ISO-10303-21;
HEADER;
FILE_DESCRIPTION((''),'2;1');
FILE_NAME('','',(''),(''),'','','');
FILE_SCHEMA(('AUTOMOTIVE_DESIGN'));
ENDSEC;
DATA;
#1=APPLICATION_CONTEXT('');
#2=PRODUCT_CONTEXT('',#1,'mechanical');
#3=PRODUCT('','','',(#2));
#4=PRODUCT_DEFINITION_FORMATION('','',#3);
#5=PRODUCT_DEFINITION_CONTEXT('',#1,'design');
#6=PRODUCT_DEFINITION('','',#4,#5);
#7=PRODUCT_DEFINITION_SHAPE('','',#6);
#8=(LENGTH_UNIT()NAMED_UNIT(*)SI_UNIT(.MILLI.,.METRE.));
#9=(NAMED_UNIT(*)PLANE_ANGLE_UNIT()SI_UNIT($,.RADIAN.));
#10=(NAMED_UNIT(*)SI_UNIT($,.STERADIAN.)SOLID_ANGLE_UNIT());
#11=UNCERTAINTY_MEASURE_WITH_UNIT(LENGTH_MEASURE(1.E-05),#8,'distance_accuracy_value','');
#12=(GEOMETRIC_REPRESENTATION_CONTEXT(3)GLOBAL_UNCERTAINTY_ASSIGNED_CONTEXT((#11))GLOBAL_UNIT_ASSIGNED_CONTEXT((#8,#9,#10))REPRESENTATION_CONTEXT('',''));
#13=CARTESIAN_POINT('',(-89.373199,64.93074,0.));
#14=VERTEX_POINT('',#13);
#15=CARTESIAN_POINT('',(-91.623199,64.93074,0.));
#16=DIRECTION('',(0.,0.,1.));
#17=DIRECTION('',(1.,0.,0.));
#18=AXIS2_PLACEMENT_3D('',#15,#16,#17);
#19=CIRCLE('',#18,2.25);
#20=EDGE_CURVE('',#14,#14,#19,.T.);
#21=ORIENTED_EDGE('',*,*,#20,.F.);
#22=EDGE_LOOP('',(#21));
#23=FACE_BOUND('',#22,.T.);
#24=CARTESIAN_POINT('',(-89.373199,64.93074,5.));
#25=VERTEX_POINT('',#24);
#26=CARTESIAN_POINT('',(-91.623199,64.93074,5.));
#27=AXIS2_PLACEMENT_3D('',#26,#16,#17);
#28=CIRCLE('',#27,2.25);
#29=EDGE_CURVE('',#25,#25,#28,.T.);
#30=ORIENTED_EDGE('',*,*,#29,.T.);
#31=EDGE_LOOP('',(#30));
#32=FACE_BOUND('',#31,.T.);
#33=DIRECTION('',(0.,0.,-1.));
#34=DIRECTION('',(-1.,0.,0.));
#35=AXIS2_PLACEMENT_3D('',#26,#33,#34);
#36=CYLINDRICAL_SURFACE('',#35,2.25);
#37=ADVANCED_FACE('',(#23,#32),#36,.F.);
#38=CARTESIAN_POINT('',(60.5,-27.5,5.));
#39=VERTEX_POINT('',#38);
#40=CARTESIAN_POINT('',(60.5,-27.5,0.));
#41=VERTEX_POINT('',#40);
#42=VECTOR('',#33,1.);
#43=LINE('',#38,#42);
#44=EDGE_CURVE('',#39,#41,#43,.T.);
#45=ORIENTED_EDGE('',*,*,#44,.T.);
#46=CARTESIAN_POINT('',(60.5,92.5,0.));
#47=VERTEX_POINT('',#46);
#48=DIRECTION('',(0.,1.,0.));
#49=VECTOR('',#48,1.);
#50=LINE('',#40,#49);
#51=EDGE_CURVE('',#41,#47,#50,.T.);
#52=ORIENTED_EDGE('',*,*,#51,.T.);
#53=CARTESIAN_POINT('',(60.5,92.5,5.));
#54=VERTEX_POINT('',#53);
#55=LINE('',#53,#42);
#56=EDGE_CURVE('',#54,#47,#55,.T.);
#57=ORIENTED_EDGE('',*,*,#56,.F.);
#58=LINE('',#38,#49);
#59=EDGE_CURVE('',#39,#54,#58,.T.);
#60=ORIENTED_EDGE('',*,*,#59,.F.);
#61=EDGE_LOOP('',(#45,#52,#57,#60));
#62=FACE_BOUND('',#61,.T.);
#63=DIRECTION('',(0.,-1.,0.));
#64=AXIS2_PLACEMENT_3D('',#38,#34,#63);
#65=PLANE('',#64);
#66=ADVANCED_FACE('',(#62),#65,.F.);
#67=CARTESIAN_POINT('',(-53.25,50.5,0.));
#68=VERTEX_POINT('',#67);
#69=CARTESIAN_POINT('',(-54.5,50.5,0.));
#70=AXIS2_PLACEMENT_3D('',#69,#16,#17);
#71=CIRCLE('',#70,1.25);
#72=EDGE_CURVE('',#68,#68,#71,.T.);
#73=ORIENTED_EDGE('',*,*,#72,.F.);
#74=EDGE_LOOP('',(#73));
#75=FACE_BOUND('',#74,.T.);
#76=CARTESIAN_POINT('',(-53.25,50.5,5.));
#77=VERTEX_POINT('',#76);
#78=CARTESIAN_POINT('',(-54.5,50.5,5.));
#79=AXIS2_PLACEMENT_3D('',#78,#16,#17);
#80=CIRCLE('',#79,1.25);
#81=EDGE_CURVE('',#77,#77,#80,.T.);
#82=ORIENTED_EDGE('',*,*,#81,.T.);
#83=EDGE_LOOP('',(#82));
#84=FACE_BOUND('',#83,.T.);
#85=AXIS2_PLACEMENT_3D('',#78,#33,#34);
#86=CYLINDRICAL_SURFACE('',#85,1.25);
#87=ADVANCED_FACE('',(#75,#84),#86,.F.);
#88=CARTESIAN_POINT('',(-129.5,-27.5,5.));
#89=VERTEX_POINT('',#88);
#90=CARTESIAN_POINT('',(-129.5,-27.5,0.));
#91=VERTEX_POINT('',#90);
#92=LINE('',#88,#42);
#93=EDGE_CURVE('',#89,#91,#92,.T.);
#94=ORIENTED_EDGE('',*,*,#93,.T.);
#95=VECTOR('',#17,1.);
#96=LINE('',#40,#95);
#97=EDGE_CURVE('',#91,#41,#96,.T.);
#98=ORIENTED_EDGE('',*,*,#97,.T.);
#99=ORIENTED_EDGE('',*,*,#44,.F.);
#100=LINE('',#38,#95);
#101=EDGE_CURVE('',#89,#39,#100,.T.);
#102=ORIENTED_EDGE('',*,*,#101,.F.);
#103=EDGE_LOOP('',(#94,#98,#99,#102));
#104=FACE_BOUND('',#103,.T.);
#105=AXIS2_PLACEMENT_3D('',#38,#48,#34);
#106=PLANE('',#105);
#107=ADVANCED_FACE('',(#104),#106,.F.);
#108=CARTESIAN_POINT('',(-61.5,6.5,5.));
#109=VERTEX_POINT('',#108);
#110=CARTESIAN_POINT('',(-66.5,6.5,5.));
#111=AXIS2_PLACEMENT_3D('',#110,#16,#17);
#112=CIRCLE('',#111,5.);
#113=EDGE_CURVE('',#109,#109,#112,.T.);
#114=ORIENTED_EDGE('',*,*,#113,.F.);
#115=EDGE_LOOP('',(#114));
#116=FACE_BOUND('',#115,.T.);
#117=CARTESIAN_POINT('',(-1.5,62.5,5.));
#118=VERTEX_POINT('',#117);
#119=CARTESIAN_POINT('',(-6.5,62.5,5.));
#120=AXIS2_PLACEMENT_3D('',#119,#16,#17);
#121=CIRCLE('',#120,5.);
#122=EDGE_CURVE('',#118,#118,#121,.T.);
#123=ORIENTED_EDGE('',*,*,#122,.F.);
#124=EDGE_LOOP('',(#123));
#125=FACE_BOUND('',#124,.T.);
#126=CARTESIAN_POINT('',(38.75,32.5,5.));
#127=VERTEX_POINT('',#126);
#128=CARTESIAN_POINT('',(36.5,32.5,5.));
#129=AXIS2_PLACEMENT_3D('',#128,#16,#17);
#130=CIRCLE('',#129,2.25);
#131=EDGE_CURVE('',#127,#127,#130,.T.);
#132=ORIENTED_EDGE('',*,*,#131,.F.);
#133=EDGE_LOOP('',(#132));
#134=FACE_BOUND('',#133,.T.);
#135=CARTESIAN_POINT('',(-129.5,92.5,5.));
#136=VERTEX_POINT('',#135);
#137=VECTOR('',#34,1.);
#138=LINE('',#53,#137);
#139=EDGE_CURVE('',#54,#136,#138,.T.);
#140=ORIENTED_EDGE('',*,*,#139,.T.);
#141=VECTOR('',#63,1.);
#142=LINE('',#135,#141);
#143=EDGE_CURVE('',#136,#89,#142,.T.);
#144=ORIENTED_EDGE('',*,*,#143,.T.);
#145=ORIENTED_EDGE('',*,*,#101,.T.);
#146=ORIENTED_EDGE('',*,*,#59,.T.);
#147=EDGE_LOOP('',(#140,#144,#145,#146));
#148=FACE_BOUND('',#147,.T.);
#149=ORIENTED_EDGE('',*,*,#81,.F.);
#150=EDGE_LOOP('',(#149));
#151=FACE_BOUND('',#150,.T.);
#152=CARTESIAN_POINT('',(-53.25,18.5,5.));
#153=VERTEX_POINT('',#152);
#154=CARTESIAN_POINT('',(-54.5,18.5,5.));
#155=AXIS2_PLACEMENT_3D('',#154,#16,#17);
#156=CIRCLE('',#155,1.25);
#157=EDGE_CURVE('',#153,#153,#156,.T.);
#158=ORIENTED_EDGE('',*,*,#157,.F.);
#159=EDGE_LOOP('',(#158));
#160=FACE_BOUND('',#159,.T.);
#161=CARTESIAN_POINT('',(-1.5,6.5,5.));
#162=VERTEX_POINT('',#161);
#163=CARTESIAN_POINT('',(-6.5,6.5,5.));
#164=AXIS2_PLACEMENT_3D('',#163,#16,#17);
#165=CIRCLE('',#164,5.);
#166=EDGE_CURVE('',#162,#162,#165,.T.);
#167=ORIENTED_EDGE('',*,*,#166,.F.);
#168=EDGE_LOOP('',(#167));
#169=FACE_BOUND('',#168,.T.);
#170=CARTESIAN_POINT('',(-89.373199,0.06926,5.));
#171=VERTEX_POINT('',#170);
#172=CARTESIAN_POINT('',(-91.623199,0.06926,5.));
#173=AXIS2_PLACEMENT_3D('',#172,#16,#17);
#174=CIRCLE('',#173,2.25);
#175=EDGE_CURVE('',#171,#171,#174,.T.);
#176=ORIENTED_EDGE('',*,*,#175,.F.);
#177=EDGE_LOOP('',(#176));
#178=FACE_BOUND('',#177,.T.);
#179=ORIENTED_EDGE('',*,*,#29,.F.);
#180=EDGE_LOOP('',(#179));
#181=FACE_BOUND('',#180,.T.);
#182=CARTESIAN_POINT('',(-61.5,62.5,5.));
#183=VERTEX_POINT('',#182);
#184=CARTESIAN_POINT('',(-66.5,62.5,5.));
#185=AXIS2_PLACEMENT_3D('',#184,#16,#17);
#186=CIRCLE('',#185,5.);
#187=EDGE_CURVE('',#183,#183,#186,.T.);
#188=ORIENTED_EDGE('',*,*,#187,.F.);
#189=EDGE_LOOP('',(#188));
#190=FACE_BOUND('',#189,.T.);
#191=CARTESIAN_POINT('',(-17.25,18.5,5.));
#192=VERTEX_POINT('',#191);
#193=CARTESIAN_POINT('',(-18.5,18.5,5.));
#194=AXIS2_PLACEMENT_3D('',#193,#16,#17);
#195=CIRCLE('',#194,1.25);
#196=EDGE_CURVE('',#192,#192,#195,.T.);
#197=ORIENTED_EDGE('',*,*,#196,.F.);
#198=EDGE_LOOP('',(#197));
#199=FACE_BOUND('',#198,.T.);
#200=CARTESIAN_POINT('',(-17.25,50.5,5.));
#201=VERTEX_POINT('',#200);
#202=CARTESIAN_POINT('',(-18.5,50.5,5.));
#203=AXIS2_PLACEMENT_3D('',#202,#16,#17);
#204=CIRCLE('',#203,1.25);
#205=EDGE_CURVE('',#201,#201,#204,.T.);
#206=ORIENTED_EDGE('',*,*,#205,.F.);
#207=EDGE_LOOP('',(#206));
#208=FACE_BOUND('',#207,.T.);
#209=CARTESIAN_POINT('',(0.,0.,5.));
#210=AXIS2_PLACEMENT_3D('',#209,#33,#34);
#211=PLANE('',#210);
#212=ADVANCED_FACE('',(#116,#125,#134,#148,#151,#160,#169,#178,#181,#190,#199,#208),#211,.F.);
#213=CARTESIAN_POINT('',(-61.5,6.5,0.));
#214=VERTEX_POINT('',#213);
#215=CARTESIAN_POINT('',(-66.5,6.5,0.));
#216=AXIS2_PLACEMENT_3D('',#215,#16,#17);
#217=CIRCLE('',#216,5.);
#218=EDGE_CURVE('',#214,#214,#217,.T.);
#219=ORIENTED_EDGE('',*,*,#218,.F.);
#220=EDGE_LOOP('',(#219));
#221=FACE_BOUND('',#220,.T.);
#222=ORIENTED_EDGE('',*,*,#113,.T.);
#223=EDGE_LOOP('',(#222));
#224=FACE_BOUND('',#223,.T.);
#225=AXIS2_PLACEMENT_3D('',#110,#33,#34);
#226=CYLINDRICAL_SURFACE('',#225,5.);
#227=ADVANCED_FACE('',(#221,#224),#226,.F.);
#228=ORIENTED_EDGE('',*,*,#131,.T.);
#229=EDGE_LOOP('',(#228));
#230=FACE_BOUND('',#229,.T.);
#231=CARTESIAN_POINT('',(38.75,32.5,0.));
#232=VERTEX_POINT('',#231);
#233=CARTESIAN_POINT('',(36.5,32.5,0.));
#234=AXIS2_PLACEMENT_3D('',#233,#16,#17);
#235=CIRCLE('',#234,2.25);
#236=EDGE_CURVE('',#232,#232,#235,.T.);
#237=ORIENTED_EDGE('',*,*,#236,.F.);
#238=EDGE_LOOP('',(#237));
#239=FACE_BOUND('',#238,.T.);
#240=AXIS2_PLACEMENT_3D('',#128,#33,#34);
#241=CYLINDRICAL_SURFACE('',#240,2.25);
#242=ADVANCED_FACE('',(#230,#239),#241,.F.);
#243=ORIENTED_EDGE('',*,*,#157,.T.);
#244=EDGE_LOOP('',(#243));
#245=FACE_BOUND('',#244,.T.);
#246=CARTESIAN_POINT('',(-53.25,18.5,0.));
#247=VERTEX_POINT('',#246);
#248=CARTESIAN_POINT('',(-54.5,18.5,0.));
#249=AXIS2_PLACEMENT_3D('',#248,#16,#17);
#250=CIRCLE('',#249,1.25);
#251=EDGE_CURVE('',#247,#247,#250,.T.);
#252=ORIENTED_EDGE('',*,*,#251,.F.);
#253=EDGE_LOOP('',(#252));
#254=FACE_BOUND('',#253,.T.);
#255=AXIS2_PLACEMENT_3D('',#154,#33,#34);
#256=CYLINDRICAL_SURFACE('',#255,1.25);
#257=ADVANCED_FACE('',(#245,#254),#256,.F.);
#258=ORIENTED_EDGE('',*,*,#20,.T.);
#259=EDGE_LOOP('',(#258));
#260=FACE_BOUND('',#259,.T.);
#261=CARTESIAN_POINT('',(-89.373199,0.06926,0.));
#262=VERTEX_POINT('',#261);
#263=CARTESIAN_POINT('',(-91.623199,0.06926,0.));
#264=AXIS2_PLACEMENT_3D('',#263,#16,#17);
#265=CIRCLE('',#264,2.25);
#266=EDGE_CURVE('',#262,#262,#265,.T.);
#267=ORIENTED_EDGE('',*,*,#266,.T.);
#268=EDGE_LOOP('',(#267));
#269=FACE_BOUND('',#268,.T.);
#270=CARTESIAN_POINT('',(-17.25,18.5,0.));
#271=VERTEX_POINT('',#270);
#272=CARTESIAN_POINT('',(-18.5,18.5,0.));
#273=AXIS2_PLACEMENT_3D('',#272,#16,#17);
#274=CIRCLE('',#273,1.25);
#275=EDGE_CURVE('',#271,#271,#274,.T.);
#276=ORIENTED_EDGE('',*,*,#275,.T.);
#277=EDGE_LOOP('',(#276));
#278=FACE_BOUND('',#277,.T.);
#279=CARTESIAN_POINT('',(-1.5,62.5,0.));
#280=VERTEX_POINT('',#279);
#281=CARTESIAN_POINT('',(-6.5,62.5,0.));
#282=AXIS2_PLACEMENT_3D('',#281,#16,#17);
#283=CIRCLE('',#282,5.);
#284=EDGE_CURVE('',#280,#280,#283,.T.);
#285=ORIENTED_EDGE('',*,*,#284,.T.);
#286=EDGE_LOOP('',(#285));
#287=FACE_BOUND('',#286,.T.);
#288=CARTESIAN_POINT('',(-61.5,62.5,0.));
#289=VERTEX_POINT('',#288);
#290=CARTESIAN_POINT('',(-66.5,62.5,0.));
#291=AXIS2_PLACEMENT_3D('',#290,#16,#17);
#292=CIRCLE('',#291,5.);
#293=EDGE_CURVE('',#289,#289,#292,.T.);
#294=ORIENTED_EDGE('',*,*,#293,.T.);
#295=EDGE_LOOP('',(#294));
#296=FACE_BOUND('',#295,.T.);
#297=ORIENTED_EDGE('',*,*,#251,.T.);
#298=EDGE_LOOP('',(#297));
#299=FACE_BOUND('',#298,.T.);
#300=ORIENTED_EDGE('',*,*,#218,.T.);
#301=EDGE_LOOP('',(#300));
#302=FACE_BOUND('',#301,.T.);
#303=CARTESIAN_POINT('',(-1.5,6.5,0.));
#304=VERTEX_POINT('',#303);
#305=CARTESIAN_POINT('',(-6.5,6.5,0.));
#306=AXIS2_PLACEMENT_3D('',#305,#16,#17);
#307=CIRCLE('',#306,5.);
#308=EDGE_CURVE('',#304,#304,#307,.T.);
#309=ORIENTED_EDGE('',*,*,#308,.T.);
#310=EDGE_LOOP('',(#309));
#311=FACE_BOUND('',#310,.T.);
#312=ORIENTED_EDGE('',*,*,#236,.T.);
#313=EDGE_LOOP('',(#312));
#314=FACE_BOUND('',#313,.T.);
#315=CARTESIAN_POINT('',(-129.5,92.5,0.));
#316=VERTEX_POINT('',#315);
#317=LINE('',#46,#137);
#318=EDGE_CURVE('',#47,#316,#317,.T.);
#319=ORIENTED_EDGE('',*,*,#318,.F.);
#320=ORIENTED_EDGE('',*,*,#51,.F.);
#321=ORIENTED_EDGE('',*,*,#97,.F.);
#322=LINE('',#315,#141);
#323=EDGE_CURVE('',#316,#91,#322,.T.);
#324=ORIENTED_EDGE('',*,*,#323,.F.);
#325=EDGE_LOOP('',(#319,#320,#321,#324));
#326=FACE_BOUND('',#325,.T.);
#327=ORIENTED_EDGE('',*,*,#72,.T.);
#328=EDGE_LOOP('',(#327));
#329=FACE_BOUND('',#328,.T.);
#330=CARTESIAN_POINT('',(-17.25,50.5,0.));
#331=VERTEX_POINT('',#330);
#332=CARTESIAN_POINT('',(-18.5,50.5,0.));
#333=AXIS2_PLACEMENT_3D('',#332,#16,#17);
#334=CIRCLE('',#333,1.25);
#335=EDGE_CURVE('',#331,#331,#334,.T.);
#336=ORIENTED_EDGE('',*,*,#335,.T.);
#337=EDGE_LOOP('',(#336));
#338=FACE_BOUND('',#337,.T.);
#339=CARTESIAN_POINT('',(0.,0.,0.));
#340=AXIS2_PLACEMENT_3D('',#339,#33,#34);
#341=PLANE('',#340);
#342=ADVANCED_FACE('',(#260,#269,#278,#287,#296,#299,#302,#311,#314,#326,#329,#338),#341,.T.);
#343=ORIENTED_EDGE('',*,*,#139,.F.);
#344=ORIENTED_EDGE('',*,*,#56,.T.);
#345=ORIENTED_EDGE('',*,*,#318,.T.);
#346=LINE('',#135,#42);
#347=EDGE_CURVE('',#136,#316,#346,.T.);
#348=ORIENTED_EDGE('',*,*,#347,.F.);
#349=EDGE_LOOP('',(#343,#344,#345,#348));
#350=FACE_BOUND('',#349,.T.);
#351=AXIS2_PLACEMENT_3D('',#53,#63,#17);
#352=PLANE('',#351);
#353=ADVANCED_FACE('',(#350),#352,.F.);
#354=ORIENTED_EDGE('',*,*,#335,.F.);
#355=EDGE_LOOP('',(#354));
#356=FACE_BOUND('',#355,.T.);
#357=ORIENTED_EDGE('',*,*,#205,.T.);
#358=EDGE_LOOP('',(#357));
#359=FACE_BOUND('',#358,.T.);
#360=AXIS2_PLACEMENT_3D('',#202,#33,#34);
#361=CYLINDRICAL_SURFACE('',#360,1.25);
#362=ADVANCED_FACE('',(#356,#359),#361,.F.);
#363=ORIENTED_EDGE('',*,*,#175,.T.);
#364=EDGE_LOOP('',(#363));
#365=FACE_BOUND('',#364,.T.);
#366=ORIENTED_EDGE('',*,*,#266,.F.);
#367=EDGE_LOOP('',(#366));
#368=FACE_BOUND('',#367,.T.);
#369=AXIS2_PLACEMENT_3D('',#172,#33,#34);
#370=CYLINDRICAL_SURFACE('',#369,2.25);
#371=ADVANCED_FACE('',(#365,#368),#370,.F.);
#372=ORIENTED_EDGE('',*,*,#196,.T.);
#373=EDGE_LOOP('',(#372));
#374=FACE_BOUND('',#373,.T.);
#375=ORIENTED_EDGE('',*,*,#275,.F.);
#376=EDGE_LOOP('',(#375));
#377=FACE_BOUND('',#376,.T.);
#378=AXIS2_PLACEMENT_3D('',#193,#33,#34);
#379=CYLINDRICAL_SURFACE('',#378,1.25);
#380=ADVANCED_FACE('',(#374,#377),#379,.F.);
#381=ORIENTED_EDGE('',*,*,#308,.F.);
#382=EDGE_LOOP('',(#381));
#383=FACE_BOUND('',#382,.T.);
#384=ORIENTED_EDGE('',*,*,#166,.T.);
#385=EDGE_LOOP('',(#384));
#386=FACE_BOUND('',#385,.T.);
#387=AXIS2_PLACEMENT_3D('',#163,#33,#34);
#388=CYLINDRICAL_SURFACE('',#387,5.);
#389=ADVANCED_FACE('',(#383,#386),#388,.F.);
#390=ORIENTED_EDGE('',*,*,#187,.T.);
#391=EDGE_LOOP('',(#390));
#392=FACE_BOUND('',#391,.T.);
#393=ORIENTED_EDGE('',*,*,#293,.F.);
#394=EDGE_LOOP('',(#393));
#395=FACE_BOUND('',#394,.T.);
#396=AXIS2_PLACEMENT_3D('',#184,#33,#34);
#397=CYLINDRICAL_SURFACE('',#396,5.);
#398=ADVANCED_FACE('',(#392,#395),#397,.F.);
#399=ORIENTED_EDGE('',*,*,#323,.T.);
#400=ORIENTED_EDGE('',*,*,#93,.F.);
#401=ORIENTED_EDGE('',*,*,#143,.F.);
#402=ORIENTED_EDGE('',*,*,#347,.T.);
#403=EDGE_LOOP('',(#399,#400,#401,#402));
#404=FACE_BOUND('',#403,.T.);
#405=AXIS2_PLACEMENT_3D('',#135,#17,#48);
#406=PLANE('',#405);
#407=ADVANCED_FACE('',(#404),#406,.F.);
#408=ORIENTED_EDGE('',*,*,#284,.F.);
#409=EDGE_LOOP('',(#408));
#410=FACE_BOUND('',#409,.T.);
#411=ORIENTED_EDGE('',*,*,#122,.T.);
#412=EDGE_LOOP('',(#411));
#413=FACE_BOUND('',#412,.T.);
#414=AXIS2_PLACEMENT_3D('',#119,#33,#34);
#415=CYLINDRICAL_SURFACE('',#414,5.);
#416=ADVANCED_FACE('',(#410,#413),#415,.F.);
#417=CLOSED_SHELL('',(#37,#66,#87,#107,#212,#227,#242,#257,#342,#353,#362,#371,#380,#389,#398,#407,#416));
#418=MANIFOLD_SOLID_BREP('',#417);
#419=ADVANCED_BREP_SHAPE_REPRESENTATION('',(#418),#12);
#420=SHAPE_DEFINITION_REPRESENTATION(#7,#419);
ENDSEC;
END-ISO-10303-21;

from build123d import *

# Parameters (mm, degrees)
CROQUIS1_W              = 190
CROQUIS1_H              = 120
CROQUIS1_R              = 2.25
CROQUIS1_R_2            = 5
CROQUIS1_R_3            = 1.25
SALIENTE_EXTRUIR1_DEPTH = 5


with BuildPart() as part:
    # Croquis1 → Saliente-Extruir1 (new body)
    with BuildSketch(Plane.XY):
        with Locations((-34.5, 32.5)):
            Rectangle(CROQUIS1_W, CROQUIS1_H)
        with Locations((36.5, 32.5)):
            Circle(CROQUIS1_R, mode=Mode.SUBTRACT)
        with Locations((-91.623199077, 0.069259856)):
            Circle(CROQUIS1_R, mode=Mode.SUBTRACT)
        with Locations((-91.623199077, 64.930740144)):
            Circle(CROQUIS1_R, mode=Mode.SUBTRACT)
        with Locations((-66.5, 62.5)):
            Circle(CROQUIS1_R_2, mode=Mode.SUBTRACT)
        with Locations((-6.5, 62.5)):
            Circle(CROQUIS1_R_2, mode=Mode.SUBTRACT)
        with Locations((-6.5, 6.5)):
            Circle(CROQUIS1_R_2, mode=Mode.SUBTRACT)
        with Locations((-66.5, 6.5)):
            Circle(CROQUIS1_R_2, mode=Mode.SUBTRACT)
        with Locations((-54.5, 50.5)):
            Circle(CROQUIS1_R_3, mode=Mode.SUBTRACT)
        with Locations((-18.5, 50.5)):
            Circle(CROQUIS1_R_3, mode=Mode.SUBTRACT)
        with Locations((-18.5, 18.5)):
            Circle(CROQUIS1_R_3, mode=Mode.SUBTRACT)
        with Locations((-54.5, 18.5)):
            Circle(CROQUIS1_R_3, mode=Mode.SUBTRACT)
    extrude(amount=SALIENTE_EXTRUIR1_DEPTH)


solid = part.part
